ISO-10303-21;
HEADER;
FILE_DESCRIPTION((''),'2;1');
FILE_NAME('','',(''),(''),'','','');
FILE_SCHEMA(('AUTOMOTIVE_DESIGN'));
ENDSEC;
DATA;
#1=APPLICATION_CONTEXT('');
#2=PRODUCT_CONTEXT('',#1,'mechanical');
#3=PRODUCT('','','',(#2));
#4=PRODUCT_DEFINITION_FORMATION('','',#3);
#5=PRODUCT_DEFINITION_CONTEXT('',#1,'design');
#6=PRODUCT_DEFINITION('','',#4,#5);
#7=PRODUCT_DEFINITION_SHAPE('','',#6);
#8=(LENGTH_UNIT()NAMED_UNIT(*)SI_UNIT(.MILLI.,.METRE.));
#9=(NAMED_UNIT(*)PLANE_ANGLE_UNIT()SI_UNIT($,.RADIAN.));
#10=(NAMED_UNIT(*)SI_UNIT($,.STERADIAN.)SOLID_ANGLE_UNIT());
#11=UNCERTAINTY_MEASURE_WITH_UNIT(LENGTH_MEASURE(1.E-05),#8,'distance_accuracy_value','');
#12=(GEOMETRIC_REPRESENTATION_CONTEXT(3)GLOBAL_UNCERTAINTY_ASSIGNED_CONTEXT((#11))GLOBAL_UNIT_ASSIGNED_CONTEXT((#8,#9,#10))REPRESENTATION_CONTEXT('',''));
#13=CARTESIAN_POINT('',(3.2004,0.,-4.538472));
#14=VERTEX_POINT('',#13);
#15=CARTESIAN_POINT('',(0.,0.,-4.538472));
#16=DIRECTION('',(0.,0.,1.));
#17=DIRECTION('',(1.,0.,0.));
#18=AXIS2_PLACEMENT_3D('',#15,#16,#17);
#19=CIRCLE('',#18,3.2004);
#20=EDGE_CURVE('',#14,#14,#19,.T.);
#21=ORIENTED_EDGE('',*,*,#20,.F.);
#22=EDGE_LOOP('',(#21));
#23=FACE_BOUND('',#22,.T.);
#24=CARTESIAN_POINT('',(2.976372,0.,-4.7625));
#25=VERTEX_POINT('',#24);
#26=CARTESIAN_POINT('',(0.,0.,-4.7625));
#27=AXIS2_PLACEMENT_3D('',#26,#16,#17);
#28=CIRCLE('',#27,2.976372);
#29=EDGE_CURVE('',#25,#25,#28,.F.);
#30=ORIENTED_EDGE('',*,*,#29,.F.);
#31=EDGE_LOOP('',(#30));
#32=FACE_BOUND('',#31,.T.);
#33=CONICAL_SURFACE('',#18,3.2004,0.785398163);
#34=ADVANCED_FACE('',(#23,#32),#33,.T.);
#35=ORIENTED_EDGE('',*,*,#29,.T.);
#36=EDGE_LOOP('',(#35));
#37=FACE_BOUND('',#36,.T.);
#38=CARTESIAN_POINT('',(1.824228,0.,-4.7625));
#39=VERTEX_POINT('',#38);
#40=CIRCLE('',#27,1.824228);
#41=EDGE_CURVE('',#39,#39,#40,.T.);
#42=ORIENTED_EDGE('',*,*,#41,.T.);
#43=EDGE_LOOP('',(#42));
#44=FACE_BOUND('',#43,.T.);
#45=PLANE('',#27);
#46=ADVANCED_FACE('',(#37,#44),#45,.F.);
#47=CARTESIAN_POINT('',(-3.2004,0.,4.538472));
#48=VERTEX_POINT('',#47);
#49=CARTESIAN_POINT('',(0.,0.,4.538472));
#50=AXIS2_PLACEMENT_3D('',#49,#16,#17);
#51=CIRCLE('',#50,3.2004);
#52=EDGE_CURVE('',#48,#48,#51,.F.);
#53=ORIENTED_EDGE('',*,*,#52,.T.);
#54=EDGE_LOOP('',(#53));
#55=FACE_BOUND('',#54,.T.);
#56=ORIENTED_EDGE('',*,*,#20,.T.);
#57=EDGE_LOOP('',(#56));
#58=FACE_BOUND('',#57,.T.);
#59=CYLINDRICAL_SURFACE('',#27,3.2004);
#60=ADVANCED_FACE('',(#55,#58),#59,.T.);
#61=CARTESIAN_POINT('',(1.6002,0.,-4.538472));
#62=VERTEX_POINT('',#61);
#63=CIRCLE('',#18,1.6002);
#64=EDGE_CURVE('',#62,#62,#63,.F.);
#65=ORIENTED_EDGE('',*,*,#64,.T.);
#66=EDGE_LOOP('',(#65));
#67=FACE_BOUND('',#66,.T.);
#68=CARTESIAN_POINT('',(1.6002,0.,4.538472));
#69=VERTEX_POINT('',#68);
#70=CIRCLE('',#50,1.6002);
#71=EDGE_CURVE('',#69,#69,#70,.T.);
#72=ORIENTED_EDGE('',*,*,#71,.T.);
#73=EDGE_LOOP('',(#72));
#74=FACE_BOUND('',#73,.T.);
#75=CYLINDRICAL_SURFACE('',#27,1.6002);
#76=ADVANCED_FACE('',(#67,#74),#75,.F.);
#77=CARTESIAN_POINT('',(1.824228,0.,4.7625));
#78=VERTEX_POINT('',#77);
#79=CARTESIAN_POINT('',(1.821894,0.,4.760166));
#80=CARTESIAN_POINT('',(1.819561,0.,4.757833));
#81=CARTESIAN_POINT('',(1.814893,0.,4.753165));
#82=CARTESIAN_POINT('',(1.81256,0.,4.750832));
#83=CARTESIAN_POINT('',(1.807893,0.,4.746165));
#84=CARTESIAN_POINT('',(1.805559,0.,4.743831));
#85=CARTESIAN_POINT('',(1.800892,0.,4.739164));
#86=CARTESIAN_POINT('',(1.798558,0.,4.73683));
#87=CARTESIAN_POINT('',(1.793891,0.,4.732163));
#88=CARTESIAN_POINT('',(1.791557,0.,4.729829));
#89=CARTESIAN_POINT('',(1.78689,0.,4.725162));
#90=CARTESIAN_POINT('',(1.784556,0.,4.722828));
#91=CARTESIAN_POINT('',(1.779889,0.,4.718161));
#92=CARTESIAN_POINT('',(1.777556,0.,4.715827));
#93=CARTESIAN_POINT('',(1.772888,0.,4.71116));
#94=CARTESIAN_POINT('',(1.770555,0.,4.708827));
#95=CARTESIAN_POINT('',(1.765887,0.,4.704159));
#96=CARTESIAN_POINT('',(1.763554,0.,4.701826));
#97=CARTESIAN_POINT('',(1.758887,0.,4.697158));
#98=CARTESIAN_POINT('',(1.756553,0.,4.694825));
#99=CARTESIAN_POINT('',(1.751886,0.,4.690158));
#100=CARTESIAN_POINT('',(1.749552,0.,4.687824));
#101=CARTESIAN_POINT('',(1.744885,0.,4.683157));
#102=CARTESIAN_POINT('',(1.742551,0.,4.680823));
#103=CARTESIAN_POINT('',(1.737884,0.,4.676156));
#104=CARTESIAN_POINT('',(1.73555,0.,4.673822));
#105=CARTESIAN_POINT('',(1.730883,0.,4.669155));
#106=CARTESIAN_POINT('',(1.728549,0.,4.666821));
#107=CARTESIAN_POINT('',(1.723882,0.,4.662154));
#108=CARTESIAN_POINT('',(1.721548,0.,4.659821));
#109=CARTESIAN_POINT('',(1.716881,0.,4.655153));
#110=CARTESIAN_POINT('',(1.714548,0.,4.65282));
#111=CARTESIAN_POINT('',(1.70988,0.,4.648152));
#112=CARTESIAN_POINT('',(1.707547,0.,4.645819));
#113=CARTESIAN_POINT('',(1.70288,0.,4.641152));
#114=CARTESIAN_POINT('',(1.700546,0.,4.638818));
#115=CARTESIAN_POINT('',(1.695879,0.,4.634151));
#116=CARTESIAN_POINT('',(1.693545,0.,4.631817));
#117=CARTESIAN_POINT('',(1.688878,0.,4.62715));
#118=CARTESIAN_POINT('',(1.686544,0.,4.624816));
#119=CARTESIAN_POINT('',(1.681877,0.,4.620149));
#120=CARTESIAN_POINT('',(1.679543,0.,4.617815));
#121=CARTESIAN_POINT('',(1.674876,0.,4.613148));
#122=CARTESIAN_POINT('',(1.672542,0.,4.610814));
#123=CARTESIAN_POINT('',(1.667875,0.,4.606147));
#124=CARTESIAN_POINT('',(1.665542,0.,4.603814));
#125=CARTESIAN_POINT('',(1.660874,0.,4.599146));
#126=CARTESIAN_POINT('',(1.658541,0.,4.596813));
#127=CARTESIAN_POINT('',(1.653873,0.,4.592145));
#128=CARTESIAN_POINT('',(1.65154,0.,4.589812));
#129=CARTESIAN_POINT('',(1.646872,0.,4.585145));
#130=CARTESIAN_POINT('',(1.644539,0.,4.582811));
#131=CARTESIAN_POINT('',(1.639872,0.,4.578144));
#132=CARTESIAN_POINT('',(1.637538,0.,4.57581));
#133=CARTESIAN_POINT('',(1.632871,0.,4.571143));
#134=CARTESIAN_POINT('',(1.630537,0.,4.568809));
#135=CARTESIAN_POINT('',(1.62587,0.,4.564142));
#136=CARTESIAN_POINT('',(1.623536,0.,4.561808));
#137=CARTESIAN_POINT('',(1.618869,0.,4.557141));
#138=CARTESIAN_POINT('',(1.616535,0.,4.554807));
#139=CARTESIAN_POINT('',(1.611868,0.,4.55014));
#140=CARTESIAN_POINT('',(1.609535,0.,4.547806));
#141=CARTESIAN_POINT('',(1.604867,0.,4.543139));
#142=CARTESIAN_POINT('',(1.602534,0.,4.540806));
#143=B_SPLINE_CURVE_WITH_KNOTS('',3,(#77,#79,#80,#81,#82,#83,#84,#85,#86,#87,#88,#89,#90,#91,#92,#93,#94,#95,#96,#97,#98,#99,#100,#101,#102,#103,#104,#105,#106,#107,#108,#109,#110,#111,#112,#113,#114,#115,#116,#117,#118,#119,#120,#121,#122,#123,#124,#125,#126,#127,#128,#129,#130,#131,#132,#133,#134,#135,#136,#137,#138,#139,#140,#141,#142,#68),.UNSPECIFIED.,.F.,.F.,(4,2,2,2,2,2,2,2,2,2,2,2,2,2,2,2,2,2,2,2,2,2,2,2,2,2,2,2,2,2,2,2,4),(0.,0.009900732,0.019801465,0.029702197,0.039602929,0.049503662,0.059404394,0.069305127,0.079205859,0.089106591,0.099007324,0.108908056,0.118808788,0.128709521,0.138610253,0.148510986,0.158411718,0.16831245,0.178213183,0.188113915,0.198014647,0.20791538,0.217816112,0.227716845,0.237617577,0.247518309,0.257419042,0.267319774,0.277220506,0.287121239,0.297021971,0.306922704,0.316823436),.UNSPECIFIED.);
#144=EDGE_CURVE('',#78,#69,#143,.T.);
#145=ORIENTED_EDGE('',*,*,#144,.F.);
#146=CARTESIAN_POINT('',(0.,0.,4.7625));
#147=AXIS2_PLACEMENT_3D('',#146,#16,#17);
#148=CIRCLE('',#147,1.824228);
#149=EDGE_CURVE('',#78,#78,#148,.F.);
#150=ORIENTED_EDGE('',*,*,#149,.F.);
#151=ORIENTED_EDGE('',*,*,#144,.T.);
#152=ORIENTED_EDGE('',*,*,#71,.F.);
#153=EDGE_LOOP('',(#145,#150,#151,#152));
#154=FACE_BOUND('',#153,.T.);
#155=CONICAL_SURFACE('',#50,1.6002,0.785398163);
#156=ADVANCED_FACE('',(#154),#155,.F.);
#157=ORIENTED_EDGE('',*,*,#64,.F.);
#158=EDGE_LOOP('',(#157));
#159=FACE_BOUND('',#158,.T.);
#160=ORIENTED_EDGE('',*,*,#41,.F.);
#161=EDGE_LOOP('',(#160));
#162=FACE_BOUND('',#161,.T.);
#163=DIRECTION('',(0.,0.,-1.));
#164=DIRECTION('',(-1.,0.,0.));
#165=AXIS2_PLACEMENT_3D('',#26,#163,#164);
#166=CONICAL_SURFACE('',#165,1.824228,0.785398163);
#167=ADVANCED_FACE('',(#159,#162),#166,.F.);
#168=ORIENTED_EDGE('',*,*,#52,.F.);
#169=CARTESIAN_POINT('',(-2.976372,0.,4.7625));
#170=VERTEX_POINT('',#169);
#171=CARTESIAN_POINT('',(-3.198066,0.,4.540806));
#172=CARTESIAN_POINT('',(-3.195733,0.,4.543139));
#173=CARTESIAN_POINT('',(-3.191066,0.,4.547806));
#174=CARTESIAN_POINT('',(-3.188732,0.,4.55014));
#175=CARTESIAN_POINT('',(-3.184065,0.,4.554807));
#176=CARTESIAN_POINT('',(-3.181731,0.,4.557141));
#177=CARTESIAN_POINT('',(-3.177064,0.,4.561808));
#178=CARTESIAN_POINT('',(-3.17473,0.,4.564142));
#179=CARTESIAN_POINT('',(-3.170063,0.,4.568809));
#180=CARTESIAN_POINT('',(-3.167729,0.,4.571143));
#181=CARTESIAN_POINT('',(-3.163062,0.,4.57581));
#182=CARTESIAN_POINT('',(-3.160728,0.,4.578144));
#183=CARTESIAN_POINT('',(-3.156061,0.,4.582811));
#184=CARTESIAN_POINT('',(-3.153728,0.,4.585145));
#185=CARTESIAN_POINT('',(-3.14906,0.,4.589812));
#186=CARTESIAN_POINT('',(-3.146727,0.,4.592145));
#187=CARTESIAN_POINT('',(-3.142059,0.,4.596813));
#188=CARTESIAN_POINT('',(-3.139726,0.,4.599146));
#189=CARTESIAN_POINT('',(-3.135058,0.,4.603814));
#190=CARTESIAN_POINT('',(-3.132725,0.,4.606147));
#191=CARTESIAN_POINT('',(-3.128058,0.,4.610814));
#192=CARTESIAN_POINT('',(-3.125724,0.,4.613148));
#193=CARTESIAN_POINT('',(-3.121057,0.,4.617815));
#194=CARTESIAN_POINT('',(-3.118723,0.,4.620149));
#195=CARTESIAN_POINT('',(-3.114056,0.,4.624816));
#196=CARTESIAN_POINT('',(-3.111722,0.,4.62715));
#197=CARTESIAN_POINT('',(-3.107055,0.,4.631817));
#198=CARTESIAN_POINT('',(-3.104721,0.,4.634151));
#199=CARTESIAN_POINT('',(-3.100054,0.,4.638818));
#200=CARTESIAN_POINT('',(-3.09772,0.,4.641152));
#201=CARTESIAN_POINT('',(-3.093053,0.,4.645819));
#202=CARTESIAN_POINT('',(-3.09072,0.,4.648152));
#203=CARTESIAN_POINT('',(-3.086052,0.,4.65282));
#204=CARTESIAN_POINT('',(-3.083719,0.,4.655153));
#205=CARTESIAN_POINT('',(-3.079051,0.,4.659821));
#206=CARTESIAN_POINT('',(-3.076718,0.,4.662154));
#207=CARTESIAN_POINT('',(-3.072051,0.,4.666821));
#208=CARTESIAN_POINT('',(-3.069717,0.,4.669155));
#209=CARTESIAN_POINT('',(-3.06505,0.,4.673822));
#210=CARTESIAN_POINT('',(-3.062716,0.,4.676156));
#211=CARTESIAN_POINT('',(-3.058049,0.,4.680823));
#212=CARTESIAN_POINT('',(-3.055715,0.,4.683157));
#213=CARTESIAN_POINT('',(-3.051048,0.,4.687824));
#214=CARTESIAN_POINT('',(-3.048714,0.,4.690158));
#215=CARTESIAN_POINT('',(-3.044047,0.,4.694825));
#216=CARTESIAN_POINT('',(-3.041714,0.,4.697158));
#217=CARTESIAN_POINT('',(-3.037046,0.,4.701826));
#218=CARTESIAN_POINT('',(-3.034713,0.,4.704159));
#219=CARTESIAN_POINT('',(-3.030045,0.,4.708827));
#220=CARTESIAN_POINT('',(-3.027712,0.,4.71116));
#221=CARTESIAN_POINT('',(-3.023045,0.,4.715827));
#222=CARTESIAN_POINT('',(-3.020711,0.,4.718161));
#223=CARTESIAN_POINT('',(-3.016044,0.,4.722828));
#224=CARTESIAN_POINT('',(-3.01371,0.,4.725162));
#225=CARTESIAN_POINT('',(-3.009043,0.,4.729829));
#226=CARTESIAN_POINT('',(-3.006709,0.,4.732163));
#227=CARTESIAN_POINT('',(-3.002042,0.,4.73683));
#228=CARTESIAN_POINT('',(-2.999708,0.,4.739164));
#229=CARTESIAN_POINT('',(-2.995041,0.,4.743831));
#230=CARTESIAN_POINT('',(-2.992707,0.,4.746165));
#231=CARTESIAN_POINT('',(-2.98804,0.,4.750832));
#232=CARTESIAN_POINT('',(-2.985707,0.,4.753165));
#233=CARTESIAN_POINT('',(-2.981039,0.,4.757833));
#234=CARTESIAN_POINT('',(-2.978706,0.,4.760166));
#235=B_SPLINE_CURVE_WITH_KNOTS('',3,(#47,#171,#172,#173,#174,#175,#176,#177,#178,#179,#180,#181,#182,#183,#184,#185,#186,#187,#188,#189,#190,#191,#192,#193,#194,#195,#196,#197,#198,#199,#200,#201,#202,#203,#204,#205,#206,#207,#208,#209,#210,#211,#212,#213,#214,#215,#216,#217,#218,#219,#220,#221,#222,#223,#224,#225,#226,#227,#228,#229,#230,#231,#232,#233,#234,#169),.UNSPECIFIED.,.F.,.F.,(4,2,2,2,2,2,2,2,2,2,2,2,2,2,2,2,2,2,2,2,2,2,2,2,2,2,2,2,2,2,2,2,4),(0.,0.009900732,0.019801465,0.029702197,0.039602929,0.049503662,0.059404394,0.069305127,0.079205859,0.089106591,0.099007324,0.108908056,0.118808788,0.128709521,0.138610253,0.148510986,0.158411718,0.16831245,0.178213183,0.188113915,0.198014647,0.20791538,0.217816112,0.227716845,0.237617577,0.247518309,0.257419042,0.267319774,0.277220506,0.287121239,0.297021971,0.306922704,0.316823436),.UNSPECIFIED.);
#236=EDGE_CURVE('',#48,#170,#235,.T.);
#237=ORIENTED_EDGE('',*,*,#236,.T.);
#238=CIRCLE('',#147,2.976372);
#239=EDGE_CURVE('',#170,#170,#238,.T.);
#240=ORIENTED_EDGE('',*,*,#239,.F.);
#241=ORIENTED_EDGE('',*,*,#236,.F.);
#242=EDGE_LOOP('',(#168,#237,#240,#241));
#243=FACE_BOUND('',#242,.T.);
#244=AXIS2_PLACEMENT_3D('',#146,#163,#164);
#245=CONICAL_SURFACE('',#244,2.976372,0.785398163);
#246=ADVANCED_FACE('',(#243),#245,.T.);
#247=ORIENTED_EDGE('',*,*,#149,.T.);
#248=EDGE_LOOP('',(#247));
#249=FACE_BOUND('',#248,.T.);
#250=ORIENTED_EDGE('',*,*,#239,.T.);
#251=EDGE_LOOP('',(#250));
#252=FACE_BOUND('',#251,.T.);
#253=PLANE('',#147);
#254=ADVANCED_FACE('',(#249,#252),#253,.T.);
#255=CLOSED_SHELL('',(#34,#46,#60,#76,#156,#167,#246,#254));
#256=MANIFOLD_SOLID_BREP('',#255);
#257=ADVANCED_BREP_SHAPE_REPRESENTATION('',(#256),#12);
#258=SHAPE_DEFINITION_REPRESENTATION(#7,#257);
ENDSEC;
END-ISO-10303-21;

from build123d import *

# Parameters (mm, degrees)
BOSS_EXTRUDE1_DEPTH      = 4.7625
BOSS_EXTRUDE1_DEPTH_BACK = 4.7625
SKETCH14_R               = 3.2004
SKETCH14_R_2             = 1.6002
CHAMFER1_SIZE            = 0.224028


with BuildPart() as part:
    # Sketch14 → Boss-Extrude1 (new, two sides: drawn at the far end of the back side and taken through both)
    with BuildSketch(Plane.XY.offset(-BOSS_EXTRUDE1_DEPTH_BACK)):
        Circle(SKETCH14_R)
        Circle(SKETCH14_R_2, mode=Mode.SUBTRACT)
    extrude(amount=BOSS_EXTRUDE1_DEPTH + BOSS_EXTRUDE1_DEPTH_BACK)

    # Chamfer1
    chamfer1_edges = [part.edges().sort_by_distance(p)[0] for p in [
        (-3.2004, 0, -4.7625),
        (-1.6002, 0, -4.7625),
        (-3.2004, 0, 4.7625),
        (-1.6002, 0, 4.7625),
    ]]
    chamfer(chamfer1_edges, length=CHAMFER1_SIZE)


solid = part.part
